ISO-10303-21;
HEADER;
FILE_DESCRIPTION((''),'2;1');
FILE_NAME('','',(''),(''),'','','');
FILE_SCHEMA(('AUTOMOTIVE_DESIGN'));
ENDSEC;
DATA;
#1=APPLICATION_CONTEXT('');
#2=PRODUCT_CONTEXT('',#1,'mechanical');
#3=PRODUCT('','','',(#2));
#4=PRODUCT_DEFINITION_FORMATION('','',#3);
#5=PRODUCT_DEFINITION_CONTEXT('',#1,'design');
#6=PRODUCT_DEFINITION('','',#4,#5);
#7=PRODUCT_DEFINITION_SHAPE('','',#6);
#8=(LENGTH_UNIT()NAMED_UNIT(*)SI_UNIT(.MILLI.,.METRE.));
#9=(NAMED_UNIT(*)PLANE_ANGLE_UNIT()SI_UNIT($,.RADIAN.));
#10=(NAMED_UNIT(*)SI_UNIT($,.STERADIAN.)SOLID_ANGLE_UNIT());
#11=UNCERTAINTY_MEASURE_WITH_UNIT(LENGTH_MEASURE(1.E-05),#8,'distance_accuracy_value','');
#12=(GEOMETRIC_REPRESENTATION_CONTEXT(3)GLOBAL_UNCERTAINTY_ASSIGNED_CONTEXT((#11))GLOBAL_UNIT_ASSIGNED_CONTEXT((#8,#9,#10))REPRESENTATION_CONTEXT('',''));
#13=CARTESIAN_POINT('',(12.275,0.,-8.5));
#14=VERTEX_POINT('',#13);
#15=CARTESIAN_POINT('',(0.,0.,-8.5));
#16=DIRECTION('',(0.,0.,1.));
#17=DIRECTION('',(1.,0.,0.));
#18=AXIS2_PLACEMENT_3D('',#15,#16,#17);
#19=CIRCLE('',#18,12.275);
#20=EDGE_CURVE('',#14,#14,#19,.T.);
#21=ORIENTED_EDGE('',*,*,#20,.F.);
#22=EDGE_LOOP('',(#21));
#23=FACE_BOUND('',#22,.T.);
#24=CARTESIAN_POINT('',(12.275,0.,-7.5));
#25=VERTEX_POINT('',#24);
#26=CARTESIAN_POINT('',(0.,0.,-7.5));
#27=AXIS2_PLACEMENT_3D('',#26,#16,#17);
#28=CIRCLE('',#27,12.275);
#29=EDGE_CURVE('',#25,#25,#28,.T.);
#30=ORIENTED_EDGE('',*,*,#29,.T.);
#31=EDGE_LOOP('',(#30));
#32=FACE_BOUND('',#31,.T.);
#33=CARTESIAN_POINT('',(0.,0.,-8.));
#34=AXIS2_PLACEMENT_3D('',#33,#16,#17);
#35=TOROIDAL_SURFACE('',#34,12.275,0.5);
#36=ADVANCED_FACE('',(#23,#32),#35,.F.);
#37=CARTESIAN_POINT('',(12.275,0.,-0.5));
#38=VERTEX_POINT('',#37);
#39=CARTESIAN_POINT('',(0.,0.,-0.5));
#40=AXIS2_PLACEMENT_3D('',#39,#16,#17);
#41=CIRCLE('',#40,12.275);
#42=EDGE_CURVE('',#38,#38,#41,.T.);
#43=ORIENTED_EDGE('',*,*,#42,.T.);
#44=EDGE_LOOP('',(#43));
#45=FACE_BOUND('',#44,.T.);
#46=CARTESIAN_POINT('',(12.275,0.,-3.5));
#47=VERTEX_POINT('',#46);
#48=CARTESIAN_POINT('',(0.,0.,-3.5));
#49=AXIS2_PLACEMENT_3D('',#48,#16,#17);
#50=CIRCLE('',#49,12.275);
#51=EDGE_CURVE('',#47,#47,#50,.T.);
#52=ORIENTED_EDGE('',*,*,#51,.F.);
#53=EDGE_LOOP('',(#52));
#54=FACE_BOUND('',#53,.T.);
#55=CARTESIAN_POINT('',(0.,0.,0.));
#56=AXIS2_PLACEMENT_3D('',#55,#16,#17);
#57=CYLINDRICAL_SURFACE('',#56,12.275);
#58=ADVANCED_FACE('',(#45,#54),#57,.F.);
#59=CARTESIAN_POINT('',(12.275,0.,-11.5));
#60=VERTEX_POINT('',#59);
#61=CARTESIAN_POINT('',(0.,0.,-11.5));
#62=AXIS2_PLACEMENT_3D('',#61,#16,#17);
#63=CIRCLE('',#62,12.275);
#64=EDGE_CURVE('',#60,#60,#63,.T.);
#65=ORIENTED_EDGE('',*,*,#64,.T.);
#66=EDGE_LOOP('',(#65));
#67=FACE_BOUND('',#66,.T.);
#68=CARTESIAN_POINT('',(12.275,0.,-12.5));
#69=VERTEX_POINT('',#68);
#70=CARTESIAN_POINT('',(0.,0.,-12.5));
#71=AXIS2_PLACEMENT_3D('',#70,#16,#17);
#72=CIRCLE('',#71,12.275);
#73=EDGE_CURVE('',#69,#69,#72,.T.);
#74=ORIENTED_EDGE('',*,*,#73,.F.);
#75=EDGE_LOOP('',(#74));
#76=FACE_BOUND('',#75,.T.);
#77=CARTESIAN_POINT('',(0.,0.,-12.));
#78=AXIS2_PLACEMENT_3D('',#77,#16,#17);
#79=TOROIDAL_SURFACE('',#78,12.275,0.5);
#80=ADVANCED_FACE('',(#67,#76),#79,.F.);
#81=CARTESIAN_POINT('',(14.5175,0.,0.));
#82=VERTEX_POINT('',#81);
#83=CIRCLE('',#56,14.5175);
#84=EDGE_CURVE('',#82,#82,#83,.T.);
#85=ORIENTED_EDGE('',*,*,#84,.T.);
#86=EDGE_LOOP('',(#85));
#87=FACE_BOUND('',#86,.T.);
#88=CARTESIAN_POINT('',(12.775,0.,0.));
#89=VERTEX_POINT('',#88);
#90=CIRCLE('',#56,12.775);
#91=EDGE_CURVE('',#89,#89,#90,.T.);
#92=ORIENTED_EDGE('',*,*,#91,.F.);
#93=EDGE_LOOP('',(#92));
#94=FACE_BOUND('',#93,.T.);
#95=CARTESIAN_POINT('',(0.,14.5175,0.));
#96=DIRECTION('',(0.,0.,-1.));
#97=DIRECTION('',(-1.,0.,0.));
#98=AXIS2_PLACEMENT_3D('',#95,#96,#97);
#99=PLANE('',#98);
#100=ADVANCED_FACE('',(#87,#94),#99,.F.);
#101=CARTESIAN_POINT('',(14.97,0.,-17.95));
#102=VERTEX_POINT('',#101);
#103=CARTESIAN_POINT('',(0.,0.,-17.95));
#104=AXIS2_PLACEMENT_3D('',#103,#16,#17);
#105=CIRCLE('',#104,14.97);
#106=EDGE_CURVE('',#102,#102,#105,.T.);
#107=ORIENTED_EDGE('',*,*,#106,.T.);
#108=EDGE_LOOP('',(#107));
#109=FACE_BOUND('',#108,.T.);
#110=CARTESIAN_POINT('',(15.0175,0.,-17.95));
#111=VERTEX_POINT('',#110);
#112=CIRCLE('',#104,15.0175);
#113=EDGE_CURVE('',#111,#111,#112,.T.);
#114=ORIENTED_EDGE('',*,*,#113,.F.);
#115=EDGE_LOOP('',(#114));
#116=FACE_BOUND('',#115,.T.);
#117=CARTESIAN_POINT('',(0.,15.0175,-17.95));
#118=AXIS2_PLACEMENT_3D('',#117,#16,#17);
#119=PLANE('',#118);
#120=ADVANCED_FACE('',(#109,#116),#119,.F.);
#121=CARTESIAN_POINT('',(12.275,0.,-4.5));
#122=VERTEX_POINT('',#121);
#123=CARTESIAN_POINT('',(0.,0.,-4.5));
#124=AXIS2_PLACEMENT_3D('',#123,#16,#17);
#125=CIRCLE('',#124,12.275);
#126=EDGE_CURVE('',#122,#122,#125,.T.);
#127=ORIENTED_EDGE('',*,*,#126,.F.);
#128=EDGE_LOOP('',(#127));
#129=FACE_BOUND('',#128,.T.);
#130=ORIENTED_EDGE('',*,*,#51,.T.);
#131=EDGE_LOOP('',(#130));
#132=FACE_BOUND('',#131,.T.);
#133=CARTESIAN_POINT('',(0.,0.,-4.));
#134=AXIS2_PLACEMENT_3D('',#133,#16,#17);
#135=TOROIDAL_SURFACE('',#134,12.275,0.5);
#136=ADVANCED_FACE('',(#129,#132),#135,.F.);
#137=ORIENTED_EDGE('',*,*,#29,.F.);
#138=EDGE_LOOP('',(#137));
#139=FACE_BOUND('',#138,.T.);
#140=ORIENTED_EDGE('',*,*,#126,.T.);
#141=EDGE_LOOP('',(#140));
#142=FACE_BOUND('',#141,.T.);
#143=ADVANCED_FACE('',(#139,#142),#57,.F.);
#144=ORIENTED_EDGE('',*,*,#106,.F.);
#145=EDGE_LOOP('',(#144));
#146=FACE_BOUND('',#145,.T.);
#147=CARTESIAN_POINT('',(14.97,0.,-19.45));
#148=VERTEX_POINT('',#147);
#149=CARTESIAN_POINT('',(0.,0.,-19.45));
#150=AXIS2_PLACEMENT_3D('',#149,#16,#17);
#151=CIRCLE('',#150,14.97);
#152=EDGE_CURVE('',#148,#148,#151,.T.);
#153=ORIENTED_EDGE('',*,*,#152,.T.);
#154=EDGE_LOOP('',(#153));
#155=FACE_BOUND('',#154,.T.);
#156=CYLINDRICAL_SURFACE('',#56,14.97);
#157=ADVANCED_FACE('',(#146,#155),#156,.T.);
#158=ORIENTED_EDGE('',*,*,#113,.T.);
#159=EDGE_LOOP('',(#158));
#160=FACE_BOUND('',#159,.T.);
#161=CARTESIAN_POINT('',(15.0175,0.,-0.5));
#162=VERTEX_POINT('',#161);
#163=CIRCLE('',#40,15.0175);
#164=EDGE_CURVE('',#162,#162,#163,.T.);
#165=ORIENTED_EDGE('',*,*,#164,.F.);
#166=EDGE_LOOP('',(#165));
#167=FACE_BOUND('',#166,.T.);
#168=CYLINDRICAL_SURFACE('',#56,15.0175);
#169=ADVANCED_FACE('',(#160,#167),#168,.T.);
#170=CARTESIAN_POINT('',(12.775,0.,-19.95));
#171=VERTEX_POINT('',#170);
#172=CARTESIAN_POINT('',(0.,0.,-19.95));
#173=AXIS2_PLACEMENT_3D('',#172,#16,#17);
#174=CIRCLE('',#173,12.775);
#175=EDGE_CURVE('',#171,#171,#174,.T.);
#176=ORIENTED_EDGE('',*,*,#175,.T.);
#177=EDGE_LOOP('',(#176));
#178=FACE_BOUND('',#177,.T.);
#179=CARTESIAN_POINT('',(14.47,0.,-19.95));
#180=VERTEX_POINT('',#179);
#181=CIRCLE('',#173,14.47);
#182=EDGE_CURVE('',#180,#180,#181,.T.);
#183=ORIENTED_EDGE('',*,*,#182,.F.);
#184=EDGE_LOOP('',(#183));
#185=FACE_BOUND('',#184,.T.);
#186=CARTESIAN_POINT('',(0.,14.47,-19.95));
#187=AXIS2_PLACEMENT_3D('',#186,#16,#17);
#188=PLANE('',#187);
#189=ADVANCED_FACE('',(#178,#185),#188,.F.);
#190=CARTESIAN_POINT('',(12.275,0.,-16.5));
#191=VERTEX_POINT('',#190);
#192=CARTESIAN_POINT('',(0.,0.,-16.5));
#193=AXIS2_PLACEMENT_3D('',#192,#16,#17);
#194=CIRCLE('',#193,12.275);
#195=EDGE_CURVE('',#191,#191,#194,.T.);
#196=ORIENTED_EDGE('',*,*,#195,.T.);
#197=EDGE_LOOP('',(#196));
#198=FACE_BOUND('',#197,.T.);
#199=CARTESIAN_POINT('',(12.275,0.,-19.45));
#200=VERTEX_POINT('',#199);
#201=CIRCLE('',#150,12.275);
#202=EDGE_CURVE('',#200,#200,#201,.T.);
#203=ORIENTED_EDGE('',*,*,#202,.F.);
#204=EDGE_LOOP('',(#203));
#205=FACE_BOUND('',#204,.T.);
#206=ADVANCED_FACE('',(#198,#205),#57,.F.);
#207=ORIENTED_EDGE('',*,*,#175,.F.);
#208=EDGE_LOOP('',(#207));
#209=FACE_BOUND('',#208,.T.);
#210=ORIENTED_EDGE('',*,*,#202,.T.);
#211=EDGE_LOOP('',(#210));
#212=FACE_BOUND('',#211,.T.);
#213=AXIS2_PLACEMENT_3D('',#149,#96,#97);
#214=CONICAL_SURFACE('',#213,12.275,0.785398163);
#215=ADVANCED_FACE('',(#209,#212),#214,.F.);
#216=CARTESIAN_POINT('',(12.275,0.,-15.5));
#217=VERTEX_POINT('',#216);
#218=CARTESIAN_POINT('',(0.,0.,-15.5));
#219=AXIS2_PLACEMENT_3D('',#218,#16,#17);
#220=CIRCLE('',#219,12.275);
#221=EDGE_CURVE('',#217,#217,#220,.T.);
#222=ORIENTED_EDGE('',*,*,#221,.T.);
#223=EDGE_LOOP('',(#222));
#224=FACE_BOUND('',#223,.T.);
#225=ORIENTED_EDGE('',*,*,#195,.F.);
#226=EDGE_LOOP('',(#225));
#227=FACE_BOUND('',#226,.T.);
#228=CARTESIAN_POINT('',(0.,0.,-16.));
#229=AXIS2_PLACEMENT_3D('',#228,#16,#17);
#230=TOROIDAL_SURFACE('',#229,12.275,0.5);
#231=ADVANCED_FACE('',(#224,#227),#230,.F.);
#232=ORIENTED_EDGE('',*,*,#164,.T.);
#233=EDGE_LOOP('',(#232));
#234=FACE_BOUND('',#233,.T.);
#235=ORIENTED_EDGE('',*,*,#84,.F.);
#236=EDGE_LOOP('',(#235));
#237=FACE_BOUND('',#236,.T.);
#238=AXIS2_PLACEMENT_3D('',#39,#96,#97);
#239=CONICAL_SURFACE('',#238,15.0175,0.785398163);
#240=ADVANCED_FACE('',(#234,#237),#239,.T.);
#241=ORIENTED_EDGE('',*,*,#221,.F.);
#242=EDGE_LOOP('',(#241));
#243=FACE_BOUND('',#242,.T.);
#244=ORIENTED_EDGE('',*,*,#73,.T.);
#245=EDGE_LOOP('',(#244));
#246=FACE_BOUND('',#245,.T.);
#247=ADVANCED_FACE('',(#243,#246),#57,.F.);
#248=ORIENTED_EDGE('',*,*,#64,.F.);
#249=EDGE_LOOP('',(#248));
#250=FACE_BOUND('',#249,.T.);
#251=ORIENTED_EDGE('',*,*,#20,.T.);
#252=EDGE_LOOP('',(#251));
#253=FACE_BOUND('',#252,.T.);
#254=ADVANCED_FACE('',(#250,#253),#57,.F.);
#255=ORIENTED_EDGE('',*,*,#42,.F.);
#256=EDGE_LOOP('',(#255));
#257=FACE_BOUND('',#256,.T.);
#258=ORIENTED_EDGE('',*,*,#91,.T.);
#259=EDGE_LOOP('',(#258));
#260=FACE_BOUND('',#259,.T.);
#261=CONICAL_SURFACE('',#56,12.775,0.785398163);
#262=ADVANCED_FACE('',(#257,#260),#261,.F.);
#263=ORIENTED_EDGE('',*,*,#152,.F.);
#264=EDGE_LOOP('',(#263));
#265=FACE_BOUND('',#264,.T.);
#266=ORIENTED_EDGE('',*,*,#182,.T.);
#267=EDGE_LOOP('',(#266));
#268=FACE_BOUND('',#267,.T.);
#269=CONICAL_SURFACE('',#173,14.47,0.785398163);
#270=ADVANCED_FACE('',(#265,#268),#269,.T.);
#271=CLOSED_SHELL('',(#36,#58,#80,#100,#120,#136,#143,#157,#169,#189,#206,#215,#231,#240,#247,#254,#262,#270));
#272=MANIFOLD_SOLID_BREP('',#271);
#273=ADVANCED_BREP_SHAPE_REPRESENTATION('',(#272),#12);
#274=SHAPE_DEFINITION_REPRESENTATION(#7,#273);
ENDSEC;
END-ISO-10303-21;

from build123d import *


with BuildPart() as part:
    # Sketch1 → Revolve1 (revolve)
    with BuildSketch(Plane(origin=(0, 0, 0), x_dir=(0, 0, -1), z_dir=(1, 0, 0)), mode=Mode.PRIVATE) as revolve1_sk:
        with BuildLine():
            Line((0.5, 15.0175), (17.95, 15.0175))
            Line((17.95, 15.0175), (17.95, 14.97))
            Line((17.95, 14.97), (19.45, 14.97))
            Line((19.45, 14.97), (19.95, 14.47))
            Line((19.95, 14.47), (19.95, 12.775))
            Line((19.95, 12.775), (19.45, 12.275))
            Line((19.45, 12.275), (16.5, 12.275))
            ThreePointArc((16.5, 12.275), (16, 12.775), (15.5, 12.275))
            Line((15.5, 12.275), (12.5, 12.275))
            ThreePointArc((12.5, 12.275), (12, 12.775), (11.5, 12.275))
            Line((11.5, 12.275), (8.5, 12.275))
            ThreePointArc((8.5, 12.275), (8, 12.775), (7.5, 12.275))
            Line((7.5, 12.275), (4.5, 12.275))
            ThreePointArc((4.5, 12.275), (4, 12.775), (3.5, 12.275))
            Line((3.5, 12.275), (0.5, 12.275))
            Line((0.5, 12.275), (0, 12.775))
            Line((0, 12.775), (0, 14.5175))
            Line((0, 14.5175), (0.5, 15.0175))
        make_face()
    revolve(revolve1_sk.sketch.rotate(Axis((0, 0, 0), (0, 0, -1)), 90), axis=Axis((0, 0, 0), (0, 0, -1)))


solid = part.part
